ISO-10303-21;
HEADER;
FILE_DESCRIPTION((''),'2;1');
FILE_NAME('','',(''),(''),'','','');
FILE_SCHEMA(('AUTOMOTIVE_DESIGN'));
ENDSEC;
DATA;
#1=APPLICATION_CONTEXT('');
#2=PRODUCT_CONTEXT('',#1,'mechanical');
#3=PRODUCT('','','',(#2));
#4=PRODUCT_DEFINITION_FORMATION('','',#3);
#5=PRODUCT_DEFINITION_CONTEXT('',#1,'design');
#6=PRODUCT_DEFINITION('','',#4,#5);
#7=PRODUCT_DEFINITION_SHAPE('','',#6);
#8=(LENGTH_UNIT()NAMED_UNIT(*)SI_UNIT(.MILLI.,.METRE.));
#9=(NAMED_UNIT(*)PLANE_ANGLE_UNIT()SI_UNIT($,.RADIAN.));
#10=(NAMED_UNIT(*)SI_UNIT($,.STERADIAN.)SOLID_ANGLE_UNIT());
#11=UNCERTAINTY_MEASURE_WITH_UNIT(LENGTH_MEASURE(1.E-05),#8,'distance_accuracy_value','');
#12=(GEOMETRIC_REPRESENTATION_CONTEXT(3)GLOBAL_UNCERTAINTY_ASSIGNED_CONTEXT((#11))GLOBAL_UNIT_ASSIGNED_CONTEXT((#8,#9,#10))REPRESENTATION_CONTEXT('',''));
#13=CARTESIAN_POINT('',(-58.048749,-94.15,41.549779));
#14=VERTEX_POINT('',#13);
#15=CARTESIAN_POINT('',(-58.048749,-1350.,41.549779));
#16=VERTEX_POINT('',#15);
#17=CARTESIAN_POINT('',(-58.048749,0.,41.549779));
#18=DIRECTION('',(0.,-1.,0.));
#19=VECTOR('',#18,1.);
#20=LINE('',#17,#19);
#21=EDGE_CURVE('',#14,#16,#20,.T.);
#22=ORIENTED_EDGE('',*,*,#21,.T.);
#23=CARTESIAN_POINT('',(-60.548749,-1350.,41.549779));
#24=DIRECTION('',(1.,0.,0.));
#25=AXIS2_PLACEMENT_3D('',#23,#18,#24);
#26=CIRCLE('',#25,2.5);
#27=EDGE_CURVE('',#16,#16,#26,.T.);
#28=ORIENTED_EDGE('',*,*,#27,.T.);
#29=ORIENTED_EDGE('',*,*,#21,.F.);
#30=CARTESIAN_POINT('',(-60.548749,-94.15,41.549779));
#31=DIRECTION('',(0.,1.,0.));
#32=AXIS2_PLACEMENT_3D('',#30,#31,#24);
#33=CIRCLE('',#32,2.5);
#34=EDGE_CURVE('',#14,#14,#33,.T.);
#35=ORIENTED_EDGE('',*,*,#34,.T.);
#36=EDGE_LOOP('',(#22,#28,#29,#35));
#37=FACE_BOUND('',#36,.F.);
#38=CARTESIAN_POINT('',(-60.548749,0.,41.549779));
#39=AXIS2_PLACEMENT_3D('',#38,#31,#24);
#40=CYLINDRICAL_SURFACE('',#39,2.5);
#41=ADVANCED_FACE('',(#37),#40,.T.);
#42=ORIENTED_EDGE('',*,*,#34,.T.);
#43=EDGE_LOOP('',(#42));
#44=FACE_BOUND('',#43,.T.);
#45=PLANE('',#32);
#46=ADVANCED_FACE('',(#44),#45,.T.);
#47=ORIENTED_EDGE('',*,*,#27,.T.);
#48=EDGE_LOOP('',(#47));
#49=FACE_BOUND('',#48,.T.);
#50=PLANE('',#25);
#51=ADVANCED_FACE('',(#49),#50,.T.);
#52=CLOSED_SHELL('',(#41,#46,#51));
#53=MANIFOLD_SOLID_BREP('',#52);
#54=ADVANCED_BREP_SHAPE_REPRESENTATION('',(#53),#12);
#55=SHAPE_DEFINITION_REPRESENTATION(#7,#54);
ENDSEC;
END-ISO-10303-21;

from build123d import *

# Parameters (mm, degrees)
F0_R      = 2.5
F1_DEPTH  = 1350
F1_FACE_R = 2.5
F2_DEPTH  = 94.15


with BuildPart() as f1:
    # F0 (on Front) → F1 (new body)
    with BuildSketch(Plane.XZ):
        with Locations((-60.548749, 41.549779)):
            Circle(F0_R)
    extrude(amount=F1_DEPTH)

    # F1_face (on face) → F2 (cut)
    with BuildSketch(Plane(origin=(-60.548749, 0, 41.549779), x_dir=(1, 0, 0), z_dir=(0, 1, 0))):
        Circle(F1_FACE_R)
    extrude(amount=-F2_DEPTH, mode=Mode.SUBTRACT)


solid = f1.part
